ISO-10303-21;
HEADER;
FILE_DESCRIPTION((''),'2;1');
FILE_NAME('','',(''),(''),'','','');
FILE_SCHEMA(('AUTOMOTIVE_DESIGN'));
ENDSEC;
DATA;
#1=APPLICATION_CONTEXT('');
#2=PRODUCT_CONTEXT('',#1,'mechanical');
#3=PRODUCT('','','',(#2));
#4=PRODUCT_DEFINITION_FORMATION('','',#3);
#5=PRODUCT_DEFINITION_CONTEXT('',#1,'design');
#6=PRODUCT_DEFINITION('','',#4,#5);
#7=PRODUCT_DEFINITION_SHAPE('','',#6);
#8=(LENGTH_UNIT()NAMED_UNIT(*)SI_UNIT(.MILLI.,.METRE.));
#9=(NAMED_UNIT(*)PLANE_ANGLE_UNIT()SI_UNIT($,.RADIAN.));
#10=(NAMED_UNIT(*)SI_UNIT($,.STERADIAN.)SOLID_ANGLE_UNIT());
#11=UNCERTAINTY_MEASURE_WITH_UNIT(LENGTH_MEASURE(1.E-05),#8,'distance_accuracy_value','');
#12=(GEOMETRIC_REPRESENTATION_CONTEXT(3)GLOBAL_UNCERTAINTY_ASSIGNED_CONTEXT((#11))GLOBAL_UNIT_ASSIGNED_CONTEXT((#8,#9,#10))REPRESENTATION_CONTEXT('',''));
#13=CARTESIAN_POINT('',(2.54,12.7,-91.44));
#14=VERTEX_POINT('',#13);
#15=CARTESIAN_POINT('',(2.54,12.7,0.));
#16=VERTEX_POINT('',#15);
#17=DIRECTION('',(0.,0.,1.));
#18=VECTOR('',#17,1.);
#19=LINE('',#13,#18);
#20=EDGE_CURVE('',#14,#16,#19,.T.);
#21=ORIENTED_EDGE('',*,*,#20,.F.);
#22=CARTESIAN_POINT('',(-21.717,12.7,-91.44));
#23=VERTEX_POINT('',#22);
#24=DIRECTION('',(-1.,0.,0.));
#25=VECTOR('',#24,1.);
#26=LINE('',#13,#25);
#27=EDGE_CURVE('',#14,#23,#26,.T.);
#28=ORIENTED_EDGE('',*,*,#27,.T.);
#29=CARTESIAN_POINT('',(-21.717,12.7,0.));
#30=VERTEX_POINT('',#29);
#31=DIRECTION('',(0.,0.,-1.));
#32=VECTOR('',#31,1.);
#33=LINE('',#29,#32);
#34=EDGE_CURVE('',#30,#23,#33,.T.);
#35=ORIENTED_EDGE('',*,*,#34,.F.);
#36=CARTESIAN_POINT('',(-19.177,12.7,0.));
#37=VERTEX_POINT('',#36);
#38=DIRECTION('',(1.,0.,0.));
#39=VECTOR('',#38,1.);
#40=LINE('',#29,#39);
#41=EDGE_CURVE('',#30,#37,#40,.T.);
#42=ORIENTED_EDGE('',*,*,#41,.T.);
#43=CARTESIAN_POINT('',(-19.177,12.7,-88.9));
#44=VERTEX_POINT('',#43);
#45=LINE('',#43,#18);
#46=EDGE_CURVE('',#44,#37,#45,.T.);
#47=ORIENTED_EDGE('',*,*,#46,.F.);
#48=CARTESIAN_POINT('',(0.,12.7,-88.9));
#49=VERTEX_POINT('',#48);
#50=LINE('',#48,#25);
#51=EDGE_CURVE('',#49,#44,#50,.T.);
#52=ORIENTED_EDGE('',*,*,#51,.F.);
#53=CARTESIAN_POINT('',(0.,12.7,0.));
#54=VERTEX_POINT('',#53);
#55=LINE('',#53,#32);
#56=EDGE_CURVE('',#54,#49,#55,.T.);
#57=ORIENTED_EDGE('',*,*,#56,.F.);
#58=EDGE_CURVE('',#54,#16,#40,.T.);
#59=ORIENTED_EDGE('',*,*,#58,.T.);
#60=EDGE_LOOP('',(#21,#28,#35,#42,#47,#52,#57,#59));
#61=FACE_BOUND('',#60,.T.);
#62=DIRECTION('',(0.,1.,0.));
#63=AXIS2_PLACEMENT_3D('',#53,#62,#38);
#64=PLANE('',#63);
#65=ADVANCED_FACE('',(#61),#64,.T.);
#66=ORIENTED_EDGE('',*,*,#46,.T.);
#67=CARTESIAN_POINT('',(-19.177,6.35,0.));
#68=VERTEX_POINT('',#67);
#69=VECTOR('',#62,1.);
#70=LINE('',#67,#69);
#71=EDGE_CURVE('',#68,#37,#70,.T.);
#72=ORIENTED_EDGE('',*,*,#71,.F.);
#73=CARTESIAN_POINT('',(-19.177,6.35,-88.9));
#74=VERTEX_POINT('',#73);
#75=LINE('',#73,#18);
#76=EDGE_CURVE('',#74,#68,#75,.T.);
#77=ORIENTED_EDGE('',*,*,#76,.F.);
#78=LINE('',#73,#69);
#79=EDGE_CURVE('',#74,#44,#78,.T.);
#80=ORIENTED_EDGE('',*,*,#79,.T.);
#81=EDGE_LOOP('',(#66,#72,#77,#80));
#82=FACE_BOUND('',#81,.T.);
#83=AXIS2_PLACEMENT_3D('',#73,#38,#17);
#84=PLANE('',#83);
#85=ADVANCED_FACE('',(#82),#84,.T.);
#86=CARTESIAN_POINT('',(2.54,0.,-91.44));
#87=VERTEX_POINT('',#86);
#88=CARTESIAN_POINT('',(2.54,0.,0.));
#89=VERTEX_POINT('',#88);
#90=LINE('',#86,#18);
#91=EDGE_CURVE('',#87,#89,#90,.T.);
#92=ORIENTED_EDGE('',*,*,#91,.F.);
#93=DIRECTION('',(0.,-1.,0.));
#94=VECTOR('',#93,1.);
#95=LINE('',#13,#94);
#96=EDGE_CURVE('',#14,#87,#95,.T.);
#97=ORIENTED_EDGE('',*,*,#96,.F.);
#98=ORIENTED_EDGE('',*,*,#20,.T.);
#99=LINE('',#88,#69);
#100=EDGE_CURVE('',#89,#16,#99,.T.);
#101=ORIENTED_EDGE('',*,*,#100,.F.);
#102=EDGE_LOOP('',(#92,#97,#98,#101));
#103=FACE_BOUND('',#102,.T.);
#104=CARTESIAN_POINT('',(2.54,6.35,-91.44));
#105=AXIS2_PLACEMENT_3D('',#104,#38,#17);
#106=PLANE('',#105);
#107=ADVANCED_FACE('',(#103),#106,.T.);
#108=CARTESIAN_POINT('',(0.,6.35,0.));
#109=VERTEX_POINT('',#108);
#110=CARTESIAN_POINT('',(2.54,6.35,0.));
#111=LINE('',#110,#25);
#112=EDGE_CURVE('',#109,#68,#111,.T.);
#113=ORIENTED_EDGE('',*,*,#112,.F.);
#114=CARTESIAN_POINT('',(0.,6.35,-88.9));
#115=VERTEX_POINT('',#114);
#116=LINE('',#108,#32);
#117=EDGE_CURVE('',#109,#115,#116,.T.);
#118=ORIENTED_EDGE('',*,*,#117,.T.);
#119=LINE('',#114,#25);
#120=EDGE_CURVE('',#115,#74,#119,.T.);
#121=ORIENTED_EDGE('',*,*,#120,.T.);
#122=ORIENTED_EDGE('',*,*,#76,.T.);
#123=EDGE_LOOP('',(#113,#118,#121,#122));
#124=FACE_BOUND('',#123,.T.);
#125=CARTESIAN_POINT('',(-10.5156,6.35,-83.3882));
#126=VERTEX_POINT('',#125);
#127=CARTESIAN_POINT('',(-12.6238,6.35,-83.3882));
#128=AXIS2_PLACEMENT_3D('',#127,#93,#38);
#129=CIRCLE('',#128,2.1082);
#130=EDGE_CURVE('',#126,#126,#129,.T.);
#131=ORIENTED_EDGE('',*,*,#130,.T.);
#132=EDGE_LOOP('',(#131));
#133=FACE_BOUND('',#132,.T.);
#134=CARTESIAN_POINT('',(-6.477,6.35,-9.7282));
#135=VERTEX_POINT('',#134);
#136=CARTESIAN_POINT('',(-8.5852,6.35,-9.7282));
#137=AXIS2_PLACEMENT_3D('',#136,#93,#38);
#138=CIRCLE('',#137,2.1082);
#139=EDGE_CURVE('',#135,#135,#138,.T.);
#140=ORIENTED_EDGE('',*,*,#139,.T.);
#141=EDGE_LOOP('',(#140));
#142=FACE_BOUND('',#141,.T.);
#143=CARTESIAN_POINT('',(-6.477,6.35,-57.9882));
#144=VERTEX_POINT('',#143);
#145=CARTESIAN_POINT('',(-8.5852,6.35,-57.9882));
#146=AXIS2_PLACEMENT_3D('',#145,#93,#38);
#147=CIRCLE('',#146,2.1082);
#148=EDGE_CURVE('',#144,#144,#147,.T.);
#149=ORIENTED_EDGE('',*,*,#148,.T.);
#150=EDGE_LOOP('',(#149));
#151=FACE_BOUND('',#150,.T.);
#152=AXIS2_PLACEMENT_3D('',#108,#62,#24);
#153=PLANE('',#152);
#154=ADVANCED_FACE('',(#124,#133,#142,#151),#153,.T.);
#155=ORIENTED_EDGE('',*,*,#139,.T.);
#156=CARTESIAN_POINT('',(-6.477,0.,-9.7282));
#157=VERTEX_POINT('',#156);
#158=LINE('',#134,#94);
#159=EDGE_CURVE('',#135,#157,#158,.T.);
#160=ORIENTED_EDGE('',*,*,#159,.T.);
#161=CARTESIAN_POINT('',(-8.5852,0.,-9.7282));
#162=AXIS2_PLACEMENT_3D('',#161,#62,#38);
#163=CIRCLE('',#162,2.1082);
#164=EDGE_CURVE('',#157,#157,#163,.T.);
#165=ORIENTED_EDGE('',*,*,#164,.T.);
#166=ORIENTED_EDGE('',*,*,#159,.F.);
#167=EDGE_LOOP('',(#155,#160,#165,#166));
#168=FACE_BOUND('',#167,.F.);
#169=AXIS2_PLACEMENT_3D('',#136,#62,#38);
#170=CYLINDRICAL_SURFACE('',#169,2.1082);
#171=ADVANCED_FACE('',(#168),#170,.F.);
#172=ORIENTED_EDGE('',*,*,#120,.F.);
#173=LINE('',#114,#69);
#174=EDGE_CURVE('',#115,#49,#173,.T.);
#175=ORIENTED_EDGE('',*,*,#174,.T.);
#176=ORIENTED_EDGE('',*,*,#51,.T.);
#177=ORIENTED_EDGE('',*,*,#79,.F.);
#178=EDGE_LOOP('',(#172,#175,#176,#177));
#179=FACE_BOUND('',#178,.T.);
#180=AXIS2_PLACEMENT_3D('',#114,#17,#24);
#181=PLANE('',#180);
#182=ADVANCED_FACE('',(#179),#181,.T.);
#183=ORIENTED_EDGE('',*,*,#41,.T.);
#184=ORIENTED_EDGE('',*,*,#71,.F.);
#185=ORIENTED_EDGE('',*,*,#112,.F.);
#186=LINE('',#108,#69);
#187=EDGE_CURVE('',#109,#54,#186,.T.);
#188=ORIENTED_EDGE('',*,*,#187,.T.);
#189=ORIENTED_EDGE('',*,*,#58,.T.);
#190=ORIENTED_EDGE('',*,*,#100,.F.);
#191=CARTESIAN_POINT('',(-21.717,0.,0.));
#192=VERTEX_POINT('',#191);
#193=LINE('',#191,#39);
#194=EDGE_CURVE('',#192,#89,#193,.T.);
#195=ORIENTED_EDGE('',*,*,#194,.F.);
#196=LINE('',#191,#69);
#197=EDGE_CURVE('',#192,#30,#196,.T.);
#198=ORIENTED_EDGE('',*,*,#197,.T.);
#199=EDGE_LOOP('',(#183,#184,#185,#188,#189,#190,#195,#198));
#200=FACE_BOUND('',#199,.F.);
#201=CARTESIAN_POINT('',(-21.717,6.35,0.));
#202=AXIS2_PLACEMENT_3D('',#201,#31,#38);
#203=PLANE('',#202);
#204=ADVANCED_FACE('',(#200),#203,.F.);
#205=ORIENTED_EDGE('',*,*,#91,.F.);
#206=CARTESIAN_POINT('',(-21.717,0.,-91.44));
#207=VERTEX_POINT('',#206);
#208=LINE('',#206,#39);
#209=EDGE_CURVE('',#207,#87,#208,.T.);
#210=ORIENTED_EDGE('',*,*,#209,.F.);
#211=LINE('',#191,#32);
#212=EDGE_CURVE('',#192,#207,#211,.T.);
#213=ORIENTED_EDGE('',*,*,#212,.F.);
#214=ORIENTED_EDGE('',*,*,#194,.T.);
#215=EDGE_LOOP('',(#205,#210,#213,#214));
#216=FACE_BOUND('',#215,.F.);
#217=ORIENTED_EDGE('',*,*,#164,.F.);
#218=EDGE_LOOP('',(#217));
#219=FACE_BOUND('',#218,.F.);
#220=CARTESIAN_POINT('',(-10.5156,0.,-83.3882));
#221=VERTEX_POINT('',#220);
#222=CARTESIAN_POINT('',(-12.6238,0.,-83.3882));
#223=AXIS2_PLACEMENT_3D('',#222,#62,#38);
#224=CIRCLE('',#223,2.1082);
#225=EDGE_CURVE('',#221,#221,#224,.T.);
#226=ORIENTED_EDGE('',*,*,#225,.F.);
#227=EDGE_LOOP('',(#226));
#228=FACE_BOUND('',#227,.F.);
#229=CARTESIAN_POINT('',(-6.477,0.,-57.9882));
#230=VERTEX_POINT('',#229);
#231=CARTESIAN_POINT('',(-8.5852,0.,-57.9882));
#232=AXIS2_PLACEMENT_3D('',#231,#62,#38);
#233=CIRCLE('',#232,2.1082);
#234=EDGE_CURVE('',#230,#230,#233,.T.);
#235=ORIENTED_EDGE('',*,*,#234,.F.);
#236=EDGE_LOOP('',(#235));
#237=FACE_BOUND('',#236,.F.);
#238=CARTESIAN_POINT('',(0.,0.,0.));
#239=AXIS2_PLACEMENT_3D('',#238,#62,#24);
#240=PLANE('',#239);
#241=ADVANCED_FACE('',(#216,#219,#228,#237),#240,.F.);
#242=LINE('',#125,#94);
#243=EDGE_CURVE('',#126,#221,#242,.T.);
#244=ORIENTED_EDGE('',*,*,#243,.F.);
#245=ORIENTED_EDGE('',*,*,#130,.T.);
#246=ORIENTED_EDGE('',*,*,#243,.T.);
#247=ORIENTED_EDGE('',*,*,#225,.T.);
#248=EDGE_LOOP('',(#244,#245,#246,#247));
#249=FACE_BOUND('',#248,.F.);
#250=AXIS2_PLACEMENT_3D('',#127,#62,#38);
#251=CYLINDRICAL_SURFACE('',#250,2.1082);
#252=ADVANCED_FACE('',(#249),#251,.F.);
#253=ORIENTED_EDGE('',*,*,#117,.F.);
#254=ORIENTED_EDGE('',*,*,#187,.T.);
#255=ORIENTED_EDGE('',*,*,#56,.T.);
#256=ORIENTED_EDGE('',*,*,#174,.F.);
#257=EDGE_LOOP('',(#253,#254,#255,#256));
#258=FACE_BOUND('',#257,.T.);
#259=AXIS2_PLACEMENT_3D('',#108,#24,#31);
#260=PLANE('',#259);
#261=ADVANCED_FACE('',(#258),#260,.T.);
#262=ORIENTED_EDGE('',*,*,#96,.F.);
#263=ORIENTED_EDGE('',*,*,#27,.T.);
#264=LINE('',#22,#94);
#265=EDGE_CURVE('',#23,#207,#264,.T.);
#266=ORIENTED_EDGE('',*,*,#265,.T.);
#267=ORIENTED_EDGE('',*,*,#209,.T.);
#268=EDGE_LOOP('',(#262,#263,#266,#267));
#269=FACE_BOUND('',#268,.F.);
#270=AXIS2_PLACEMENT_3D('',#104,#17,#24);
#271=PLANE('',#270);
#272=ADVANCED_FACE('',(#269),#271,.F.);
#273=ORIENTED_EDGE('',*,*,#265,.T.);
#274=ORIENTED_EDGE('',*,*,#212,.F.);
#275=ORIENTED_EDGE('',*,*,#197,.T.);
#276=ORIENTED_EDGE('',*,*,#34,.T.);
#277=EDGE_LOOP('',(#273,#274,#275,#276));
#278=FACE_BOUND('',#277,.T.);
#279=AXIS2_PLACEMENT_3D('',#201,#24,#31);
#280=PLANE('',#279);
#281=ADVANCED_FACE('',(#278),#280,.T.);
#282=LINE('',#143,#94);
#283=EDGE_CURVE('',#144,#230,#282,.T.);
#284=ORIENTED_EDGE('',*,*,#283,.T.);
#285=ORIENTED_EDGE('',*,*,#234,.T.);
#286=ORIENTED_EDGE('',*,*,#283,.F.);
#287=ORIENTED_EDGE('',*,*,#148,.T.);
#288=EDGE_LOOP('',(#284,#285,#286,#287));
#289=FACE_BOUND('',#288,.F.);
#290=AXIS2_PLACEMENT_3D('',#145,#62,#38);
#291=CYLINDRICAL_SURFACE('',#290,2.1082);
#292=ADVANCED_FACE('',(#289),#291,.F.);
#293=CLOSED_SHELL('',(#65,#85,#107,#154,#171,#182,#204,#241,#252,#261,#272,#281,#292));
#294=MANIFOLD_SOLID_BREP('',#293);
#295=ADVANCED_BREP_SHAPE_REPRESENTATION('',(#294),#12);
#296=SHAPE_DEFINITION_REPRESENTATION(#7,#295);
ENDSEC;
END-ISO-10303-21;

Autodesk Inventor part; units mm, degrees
ref_plane "YZ Plane" through (0, 0, 0) normal (1, 0, 0) x (0, 1, 0)
ref_plane "XZ Plane" through (0, 0, 0) normal (0, 1, 0) x (-1, 0, 0)
ref_plane "XY Plane" through (0, 0, 0) normal (0, 0, 1) x (1, 0, 0)
sketch "Sketch1" plane through (0, 0, 0) normal (0, 1, 0) x (-1, 0, 0)
  line L0 (0, 0) -> (19.177, 0)
  line L1 (19.177, 0) -> (19.177, -88.9)
  line L2 (19.177, -88.9) -> (0, -88.9)
  line L3 (0, -88.9) -> (0, 0)
  line L4 (0, -88.9) -> (0, -91.44)
  line L5 (0, -91.44) -> (19.177, -91.44)
  line L6 (19.177, -91.44) -> (19.177, -88.9)
  line L7 (19.177, 0) -> (21.717, 0)
  line L8 (21.717, 0) -> (21.717, -91.44)
  line L9 (21.717, -91.44) -> (19.177, -91.44)
  line L10 (0, -91.44) -> (-2.54, -91.44)
  line L11 (-2.54, -91.44) -> (-2.54, 0)
  line L12 (-2.54, 0) -> (0, 0)
  dimension "d0" = 19.177
  dimension "d1" = 88.9
  dimension "d2" = 2.54
  dimension "d8" = 2.54
  dimension "d9" = 2.54
extrude "Extrusion1" add sketch "Sketch1" along normal blind 6.35
sketch "Sketch4" plane through (0, 6.35, 0) normal (0, 1, 0) x (1, 0, 0)
  line L0 (-21.717, 0) -> (2.54, 0) projected
  line L1 (-21.717, 0) -> (-19.177, 0)
  line L2 (2.54, 91.44) -> (-21.717, 91.44) projected
  line L3 (-21.717, 0) -> (-21.717, 91.44)
  line L4 (-21.717, 91.44) -> (2.54, 91.44)
  line L5 (2.54, 91.44) -> (2.54, 0)
  line L6 (0, 0) -> (0, 88.9)
  line L7 (0, 88.9) -> (-19.177, 88.9)
  line L8 (-19.177, 88.9) -> (-19.177, 0)
  line L9 (-19.177, 0) -> (-21.717, 0)
  dimension "d12" = 2.54
  dimension "d13" = 88.9
extrude "Extrusion3" add sketch "Sketch4" along normal blind 6.35 contours L3 L2 L5 L0 L6 L7 L8
sketch "Sketch5" plane through (0, 6.35, 0) normal (0, 1, 0) x (1, 0, 0)
  line L0 (-19.177, 88.9) -> (0, 88.9) projected
  line L1 (-19.177, 88.9) -> (-12.6238, 88.9)
  line L2 (-12.6238, 88.9) -> (-12.6238, 83.3882)
  circle A0 centre (-12.6238, 83.3882) radius 2.1082
  line L3 (-12.6238, 83.3882) -> (-8.5852, 83.3882)
  line L4 (-8.5852, 83.3882) -> (-8.5852, 57.9882)
  circle A1 centre (-8.5852, 57.9882) radius 2.1082
  line L5 (-8.5852, 57.9882) -> (-8.5852, 9.7282)
  circle A2 centre (-8.5852, 9.7282) radius 2.1082
  point P0 (0, 0)
  dimension "d16" = 6.5532
  dimension "d17" = 5.5118
  dimension "d18" = 4.2164
  dimension "d19" = 4.0386
  dimension "d20" = 25.4
  dimension "d21" = 4.2164
  dimension "d22" = 48.26
  dimension "d23" = 4.2164
extrude "Extrusion4" cut sketch "Sketch5" against normal blind 6.35
properties part number "wing hole drill"
